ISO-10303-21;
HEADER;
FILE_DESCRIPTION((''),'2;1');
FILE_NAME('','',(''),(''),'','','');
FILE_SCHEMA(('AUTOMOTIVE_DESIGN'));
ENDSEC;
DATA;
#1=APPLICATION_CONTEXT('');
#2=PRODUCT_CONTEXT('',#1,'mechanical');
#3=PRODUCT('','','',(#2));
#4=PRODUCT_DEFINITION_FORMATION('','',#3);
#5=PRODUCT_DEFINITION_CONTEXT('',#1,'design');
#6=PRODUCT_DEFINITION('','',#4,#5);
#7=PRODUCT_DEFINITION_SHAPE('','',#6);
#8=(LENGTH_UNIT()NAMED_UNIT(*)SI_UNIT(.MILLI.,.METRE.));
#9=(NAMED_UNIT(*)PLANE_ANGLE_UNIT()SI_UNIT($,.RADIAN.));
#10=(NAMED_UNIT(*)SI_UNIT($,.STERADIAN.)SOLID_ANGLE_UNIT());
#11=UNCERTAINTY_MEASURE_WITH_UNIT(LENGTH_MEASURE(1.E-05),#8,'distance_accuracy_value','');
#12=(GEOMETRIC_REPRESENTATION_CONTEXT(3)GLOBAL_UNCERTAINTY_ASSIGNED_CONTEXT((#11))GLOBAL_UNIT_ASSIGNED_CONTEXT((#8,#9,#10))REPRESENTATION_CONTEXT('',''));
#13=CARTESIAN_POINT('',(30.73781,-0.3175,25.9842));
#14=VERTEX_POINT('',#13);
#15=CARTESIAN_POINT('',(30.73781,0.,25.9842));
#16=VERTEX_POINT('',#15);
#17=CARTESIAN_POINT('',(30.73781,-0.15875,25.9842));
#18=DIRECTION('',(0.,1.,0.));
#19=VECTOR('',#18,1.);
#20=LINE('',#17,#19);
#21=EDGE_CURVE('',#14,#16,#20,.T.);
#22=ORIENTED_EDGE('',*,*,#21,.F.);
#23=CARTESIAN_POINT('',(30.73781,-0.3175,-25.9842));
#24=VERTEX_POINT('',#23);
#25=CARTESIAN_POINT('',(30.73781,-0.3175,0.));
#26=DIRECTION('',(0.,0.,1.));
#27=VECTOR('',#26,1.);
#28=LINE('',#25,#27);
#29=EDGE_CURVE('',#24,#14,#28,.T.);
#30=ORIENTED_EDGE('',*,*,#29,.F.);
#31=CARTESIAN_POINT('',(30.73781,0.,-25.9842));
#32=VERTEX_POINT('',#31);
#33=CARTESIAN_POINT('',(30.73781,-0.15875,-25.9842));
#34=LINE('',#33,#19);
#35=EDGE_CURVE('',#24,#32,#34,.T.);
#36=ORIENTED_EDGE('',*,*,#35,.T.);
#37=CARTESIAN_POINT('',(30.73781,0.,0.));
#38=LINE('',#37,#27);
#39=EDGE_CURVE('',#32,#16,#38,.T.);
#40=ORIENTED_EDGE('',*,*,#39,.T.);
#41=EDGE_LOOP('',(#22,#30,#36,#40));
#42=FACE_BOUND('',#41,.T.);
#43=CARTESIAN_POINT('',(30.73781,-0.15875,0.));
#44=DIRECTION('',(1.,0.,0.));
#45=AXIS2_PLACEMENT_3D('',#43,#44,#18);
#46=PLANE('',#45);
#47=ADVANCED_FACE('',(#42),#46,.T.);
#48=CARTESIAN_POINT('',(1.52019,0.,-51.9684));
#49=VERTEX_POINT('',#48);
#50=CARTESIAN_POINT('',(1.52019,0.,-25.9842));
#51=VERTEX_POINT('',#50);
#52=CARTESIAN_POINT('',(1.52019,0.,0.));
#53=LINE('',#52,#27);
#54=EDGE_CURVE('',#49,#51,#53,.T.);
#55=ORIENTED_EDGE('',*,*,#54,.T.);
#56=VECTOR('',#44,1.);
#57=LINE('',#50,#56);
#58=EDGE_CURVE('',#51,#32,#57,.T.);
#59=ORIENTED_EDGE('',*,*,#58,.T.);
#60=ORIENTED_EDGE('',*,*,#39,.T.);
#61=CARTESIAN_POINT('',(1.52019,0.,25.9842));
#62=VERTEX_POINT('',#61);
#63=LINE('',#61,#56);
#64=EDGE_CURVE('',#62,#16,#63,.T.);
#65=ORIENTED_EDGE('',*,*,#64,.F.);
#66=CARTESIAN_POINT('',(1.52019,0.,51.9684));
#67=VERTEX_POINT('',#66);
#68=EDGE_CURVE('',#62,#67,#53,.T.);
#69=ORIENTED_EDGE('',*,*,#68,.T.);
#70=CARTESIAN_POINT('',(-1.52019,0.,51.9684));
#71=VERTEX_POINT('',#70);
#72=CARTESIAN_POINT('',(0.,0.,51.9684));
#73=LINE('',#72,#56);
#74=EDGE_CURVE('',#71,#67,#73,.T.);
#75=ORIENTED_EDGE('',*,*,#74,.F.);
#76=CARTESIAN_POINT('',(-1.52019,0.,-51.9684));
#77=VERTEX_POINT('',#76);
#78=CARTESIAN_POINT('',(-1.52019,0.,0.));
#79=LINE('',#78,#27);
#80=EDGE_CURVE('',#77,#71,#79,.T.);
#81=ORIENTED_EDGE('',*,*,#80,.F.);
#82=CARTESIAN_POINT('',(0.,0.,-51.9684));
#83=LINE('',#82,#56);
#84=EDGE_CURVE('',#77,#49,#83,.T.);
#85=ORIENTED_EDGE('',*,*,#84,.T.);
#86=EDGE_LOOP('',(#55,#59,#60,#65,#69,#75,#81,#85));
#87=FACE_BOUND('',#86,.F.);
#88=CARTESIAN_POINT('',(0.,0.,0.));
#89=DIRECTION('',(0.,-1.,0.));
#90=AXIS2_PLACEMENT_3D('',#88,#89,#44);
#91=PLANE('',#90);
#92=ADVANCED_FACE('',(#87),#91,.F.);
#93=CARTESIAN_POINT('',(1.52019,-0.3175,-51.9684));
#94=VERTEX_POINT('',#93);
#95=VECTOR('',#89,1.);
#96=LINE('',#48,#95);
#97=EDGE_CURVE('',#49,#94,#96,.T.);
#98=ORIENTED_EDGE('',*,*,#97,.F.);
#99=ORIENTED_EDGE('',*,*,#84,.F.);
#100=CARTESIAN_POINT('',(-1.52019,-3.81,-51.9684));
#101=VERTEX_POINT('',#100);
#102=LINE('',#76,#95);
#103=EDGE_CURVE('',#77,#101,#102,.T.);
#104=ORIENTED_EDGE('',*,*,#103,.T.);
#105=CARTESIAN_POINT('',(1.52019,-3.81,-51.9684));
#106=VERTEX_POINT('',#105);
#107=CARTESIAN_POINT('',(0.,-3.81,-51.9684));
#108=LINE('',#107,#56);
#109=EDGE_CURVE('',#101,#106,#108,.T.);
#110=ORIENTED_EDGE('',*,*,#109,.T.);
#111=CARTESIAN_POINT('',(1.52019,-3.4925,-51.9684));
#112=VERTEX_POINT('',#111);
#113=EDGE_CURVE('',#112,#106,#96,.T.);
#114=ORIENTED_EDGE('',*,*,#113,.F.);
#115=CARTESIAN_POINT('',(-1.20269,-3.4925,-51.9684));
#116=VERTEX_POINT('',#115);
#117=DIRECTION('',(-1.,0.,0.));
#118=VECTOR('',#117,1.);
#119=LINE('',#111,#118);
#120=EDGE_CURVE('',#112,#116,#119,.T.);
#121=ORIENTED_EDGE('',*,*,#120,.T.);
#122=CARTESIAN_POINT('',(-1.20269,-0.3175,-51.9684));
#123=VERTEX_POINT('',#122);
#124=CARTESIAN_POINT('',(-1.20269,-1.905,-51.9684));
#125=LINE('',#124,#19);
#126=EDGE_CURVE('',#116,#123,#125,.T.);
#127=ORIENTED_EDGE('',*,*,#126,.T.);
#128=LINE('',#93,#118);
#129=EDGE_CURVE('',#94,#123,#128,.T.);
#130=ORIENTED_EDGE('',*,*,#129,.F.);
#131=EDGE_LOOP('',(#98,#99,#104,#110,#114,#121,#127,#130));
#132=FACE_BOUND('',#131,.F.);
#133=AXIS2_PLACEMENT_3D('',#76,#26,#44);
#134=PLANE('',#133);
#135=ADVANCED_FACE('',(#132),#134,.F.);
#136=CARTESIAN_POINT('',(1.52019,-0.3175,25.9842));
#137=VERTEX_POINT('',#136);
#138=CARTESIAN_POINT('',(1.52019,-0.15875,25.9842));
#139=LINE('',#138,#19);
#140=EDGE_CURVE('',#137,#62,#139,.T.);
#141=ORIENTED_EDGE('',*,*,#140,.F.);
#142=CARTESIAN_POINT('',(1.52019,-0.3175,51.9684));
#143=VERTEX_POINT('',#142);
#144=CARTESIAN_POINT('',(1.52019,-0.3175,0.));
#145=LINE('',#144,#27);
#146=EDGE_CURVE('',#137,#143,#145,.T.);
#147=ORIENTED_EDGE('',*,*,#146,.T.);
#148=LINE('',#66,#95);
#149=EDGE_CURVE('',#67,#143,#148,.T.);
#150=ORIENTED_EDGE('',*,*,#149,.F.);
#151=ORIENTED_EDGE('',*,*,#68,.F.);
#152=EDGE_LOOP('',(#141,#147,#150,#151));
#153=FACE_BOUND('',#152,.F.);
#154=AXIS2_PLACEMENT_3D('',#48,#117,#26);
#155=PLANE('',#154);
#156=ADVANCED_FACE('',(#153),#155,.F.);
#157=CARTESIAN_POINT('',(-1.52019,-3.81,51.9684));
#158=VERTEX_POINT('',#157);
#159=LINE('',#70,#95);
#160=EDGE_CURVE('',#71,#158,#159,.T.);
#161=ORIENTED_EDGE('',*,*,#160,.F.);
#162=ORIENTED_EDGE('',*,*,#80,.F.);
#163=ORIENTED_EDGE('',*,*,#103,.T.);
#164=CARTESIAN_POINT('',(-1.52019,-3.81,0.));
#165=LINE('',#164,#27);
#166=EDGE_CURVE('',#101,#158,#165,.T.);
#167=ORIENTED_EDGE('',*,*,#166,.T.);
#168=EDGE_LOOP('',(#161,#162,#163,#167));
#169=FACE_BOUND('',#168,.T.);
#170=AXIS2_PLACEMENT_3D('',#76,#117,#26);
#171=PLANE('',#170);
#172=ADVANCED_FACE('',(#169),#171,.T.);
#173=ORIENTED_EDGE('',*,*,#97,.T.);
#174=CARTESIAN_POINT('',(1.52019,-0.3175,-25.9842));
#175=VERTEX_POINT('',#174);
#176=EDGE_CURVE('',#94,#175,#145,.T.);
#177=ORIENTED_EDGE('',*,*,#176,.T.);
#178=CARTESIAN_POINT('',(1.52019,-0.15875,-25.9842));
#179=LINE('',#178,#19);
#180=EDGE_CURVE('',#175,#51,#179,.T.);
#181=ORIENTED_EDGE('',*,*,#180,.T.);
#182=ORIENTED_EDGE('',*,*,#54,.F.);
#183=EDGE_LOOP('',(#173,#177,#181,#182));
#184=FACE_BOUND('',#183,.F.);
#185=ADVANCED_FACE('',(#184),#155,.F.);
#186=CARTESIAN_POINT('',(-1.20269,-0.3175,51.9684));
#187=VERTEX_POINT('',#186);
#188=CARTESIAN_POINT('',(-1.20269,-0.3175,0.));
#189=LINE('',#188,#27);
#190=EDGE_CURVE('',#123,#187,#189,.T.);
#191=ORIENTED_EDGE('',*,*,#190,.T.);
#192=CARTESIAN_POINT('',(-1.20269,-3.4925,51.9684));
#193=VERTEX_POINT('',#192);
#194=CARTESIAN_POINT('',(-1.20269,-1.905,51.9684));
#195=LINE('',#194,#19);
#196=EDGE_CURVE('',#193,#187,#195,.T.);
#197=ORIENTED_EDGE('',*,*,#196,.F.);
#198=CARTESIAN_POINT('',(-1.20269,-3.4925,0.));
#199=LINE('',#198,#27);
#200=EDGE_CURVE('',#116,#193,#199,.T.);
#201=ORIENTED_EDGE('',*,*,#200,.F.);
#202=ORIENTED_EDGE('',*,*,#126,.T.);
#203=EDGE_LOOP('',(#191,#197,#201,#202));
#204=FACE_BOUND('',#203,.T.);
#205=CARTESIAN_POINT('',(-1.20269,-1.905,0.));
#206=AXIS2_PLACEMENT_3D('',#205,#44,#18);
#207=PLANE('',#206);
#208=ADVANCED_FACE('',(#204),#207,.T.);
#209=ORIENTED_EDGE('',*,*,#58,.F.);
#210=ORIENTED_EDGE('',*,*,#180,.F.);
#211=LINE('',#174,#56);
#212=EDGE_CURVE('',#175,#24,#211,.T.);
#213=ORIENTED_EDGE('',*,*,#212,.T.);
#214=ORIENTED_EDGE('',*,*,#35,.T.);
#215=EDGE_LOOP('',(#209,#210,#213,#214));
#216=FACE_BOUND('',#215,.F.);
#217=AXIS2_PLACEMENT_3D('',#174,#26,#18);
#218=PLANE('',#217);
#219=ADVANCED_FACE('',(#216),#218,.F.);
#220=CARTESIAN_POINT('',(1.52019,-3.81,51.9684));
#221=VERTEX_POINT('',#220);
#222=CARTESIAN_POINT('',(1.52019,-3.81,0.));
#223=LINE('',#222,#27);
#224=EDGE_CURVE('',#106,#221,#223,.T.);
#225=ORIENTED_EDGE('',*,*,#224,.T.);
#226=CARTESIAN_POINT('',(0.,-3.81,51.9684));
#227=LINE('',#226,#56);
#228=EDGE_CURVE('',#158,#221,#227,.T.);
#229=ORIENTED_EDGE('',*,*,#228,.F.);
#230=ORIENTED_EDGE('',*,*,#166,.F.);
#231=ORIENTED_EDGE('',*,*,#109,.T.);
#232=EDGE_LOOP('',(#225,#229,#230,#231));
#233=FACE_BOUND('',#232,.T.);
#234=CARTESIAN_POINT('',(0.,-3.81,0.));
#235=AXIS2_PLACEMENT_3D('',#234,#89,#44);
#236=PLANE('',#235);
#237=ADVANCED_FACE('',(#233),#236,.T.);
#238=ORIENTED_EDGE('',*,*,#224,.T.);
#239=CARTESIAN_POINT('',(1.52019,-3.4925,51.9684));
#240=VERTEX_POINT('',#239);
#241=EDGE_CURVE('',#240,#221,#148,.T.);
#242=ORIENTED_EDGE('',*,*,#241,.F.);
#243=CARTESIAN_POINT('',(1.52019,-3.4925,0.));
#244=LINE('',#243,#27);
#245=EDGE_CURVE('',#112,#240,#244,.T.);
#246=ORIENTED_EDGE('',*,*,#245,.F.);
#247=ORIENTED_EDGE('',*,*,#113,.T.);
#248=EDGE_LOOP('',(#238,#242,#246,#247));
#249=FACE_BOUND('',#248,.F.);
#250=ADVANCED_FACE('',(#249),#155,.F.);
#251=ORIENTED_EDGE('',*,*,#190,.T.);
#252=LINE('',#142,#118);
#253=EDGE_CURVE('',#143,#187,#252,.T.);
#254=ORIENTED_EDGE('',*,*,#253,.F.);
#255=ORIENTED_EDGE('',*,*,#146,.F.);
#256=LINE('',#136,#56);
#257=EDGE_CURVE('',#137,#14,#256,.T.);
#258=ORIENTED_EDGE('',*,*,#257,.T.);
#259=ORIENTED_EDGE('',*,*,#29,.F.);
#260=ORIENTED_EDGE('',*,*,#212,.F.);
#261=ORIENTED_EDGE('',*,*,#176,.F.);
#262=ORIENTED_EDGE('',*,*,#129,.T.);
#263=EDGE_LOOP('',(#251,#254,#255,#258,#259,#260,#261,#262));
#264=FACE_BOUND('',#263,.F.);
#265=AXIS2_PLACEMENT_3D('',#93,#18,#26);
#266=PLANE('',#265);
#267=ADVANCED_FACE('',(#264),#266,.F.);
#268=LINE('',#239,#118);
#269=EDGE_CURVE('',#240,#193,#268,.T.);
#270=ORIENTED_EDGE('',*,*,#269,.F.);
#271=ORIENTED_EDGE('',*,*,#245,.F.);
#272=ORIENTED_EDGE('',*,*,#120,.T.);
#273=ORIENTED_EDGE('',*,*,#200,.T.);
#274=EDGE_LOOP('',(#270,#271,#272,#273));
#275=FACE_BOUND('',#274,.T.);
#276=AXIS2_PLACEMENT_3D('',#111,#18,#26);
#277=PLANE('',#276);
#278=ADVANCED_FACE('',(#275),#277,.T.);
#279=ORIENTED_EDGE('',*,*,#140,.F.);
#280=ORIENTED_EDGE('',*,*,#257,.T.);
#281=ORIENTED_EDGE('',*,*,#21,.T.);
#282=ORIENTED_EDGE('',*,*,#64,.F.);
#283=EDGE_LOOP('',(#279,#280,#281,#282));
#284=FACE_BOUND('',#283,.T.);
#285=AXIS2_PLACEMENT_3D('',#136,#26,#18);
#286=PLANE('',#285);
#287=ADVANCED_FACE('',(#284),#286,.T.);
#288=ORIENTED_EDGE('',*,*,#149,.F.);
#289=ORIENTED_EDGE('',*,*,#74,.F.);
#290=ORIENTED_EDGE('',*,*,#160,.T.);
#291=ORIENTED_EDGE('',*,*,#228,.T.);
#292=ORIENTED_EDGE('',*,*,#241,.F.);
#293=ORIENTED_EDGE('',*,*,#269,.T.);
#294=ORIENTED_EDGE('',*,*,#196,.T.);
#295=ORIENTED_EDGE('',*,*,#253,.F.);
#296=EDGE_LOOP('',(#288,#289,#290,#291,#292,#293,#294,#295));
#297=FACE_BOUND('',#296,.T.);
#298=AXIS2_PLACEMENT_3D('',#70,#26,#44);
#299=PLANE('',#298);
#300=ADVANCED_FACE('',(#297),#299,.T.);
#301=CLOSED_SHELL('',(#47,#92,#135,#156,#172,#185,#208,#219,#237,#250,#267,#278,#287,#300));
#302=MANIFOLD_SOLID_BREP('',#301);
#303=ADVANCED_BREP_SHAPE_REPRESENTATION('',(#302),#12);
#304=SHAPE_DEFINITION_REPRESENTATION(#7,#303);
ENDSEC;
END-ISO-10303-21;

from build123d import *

# Parameters (mm, degrees)
F0_W     = 3.04038
F0_H     = 103.9368
F1_DEPTH = 3.81
F2_W     = 3.175
F2_H     = 103.9368
F3_DEPTH = 2.72288
F4_W     = 0.3175
F4_H     = 51.9684
F5_DEPTH = 29.21762


with BuildPart() as f1:
    # F0 (on Front) → F1 (new body)
    with BuildSketch(Plane.XZ):
        Rectangle(F0_W, F0_H)
    extrude(amount=F1_DEPTH)

    # F2 (on face) → F3 (cut)
    with BuildSketch(Plane.YZ.offset(1.52019)):
        with Locations((-1.905, 0)):
            Rectangle(F2_W, F2_H)
    extrude(amount=-F3_DEPTH, mode=Mode.SUBTRACT)

    # F4 (on face) → F5 (join)
    with BuildSketch(Plane.YZ.offset(1.52019)):
        with Locations((-0.15875, 0)):
            Rectangle(F4_W, F4_H)
    extrude(amount=F5_DEPTH)


solid = f1.part
